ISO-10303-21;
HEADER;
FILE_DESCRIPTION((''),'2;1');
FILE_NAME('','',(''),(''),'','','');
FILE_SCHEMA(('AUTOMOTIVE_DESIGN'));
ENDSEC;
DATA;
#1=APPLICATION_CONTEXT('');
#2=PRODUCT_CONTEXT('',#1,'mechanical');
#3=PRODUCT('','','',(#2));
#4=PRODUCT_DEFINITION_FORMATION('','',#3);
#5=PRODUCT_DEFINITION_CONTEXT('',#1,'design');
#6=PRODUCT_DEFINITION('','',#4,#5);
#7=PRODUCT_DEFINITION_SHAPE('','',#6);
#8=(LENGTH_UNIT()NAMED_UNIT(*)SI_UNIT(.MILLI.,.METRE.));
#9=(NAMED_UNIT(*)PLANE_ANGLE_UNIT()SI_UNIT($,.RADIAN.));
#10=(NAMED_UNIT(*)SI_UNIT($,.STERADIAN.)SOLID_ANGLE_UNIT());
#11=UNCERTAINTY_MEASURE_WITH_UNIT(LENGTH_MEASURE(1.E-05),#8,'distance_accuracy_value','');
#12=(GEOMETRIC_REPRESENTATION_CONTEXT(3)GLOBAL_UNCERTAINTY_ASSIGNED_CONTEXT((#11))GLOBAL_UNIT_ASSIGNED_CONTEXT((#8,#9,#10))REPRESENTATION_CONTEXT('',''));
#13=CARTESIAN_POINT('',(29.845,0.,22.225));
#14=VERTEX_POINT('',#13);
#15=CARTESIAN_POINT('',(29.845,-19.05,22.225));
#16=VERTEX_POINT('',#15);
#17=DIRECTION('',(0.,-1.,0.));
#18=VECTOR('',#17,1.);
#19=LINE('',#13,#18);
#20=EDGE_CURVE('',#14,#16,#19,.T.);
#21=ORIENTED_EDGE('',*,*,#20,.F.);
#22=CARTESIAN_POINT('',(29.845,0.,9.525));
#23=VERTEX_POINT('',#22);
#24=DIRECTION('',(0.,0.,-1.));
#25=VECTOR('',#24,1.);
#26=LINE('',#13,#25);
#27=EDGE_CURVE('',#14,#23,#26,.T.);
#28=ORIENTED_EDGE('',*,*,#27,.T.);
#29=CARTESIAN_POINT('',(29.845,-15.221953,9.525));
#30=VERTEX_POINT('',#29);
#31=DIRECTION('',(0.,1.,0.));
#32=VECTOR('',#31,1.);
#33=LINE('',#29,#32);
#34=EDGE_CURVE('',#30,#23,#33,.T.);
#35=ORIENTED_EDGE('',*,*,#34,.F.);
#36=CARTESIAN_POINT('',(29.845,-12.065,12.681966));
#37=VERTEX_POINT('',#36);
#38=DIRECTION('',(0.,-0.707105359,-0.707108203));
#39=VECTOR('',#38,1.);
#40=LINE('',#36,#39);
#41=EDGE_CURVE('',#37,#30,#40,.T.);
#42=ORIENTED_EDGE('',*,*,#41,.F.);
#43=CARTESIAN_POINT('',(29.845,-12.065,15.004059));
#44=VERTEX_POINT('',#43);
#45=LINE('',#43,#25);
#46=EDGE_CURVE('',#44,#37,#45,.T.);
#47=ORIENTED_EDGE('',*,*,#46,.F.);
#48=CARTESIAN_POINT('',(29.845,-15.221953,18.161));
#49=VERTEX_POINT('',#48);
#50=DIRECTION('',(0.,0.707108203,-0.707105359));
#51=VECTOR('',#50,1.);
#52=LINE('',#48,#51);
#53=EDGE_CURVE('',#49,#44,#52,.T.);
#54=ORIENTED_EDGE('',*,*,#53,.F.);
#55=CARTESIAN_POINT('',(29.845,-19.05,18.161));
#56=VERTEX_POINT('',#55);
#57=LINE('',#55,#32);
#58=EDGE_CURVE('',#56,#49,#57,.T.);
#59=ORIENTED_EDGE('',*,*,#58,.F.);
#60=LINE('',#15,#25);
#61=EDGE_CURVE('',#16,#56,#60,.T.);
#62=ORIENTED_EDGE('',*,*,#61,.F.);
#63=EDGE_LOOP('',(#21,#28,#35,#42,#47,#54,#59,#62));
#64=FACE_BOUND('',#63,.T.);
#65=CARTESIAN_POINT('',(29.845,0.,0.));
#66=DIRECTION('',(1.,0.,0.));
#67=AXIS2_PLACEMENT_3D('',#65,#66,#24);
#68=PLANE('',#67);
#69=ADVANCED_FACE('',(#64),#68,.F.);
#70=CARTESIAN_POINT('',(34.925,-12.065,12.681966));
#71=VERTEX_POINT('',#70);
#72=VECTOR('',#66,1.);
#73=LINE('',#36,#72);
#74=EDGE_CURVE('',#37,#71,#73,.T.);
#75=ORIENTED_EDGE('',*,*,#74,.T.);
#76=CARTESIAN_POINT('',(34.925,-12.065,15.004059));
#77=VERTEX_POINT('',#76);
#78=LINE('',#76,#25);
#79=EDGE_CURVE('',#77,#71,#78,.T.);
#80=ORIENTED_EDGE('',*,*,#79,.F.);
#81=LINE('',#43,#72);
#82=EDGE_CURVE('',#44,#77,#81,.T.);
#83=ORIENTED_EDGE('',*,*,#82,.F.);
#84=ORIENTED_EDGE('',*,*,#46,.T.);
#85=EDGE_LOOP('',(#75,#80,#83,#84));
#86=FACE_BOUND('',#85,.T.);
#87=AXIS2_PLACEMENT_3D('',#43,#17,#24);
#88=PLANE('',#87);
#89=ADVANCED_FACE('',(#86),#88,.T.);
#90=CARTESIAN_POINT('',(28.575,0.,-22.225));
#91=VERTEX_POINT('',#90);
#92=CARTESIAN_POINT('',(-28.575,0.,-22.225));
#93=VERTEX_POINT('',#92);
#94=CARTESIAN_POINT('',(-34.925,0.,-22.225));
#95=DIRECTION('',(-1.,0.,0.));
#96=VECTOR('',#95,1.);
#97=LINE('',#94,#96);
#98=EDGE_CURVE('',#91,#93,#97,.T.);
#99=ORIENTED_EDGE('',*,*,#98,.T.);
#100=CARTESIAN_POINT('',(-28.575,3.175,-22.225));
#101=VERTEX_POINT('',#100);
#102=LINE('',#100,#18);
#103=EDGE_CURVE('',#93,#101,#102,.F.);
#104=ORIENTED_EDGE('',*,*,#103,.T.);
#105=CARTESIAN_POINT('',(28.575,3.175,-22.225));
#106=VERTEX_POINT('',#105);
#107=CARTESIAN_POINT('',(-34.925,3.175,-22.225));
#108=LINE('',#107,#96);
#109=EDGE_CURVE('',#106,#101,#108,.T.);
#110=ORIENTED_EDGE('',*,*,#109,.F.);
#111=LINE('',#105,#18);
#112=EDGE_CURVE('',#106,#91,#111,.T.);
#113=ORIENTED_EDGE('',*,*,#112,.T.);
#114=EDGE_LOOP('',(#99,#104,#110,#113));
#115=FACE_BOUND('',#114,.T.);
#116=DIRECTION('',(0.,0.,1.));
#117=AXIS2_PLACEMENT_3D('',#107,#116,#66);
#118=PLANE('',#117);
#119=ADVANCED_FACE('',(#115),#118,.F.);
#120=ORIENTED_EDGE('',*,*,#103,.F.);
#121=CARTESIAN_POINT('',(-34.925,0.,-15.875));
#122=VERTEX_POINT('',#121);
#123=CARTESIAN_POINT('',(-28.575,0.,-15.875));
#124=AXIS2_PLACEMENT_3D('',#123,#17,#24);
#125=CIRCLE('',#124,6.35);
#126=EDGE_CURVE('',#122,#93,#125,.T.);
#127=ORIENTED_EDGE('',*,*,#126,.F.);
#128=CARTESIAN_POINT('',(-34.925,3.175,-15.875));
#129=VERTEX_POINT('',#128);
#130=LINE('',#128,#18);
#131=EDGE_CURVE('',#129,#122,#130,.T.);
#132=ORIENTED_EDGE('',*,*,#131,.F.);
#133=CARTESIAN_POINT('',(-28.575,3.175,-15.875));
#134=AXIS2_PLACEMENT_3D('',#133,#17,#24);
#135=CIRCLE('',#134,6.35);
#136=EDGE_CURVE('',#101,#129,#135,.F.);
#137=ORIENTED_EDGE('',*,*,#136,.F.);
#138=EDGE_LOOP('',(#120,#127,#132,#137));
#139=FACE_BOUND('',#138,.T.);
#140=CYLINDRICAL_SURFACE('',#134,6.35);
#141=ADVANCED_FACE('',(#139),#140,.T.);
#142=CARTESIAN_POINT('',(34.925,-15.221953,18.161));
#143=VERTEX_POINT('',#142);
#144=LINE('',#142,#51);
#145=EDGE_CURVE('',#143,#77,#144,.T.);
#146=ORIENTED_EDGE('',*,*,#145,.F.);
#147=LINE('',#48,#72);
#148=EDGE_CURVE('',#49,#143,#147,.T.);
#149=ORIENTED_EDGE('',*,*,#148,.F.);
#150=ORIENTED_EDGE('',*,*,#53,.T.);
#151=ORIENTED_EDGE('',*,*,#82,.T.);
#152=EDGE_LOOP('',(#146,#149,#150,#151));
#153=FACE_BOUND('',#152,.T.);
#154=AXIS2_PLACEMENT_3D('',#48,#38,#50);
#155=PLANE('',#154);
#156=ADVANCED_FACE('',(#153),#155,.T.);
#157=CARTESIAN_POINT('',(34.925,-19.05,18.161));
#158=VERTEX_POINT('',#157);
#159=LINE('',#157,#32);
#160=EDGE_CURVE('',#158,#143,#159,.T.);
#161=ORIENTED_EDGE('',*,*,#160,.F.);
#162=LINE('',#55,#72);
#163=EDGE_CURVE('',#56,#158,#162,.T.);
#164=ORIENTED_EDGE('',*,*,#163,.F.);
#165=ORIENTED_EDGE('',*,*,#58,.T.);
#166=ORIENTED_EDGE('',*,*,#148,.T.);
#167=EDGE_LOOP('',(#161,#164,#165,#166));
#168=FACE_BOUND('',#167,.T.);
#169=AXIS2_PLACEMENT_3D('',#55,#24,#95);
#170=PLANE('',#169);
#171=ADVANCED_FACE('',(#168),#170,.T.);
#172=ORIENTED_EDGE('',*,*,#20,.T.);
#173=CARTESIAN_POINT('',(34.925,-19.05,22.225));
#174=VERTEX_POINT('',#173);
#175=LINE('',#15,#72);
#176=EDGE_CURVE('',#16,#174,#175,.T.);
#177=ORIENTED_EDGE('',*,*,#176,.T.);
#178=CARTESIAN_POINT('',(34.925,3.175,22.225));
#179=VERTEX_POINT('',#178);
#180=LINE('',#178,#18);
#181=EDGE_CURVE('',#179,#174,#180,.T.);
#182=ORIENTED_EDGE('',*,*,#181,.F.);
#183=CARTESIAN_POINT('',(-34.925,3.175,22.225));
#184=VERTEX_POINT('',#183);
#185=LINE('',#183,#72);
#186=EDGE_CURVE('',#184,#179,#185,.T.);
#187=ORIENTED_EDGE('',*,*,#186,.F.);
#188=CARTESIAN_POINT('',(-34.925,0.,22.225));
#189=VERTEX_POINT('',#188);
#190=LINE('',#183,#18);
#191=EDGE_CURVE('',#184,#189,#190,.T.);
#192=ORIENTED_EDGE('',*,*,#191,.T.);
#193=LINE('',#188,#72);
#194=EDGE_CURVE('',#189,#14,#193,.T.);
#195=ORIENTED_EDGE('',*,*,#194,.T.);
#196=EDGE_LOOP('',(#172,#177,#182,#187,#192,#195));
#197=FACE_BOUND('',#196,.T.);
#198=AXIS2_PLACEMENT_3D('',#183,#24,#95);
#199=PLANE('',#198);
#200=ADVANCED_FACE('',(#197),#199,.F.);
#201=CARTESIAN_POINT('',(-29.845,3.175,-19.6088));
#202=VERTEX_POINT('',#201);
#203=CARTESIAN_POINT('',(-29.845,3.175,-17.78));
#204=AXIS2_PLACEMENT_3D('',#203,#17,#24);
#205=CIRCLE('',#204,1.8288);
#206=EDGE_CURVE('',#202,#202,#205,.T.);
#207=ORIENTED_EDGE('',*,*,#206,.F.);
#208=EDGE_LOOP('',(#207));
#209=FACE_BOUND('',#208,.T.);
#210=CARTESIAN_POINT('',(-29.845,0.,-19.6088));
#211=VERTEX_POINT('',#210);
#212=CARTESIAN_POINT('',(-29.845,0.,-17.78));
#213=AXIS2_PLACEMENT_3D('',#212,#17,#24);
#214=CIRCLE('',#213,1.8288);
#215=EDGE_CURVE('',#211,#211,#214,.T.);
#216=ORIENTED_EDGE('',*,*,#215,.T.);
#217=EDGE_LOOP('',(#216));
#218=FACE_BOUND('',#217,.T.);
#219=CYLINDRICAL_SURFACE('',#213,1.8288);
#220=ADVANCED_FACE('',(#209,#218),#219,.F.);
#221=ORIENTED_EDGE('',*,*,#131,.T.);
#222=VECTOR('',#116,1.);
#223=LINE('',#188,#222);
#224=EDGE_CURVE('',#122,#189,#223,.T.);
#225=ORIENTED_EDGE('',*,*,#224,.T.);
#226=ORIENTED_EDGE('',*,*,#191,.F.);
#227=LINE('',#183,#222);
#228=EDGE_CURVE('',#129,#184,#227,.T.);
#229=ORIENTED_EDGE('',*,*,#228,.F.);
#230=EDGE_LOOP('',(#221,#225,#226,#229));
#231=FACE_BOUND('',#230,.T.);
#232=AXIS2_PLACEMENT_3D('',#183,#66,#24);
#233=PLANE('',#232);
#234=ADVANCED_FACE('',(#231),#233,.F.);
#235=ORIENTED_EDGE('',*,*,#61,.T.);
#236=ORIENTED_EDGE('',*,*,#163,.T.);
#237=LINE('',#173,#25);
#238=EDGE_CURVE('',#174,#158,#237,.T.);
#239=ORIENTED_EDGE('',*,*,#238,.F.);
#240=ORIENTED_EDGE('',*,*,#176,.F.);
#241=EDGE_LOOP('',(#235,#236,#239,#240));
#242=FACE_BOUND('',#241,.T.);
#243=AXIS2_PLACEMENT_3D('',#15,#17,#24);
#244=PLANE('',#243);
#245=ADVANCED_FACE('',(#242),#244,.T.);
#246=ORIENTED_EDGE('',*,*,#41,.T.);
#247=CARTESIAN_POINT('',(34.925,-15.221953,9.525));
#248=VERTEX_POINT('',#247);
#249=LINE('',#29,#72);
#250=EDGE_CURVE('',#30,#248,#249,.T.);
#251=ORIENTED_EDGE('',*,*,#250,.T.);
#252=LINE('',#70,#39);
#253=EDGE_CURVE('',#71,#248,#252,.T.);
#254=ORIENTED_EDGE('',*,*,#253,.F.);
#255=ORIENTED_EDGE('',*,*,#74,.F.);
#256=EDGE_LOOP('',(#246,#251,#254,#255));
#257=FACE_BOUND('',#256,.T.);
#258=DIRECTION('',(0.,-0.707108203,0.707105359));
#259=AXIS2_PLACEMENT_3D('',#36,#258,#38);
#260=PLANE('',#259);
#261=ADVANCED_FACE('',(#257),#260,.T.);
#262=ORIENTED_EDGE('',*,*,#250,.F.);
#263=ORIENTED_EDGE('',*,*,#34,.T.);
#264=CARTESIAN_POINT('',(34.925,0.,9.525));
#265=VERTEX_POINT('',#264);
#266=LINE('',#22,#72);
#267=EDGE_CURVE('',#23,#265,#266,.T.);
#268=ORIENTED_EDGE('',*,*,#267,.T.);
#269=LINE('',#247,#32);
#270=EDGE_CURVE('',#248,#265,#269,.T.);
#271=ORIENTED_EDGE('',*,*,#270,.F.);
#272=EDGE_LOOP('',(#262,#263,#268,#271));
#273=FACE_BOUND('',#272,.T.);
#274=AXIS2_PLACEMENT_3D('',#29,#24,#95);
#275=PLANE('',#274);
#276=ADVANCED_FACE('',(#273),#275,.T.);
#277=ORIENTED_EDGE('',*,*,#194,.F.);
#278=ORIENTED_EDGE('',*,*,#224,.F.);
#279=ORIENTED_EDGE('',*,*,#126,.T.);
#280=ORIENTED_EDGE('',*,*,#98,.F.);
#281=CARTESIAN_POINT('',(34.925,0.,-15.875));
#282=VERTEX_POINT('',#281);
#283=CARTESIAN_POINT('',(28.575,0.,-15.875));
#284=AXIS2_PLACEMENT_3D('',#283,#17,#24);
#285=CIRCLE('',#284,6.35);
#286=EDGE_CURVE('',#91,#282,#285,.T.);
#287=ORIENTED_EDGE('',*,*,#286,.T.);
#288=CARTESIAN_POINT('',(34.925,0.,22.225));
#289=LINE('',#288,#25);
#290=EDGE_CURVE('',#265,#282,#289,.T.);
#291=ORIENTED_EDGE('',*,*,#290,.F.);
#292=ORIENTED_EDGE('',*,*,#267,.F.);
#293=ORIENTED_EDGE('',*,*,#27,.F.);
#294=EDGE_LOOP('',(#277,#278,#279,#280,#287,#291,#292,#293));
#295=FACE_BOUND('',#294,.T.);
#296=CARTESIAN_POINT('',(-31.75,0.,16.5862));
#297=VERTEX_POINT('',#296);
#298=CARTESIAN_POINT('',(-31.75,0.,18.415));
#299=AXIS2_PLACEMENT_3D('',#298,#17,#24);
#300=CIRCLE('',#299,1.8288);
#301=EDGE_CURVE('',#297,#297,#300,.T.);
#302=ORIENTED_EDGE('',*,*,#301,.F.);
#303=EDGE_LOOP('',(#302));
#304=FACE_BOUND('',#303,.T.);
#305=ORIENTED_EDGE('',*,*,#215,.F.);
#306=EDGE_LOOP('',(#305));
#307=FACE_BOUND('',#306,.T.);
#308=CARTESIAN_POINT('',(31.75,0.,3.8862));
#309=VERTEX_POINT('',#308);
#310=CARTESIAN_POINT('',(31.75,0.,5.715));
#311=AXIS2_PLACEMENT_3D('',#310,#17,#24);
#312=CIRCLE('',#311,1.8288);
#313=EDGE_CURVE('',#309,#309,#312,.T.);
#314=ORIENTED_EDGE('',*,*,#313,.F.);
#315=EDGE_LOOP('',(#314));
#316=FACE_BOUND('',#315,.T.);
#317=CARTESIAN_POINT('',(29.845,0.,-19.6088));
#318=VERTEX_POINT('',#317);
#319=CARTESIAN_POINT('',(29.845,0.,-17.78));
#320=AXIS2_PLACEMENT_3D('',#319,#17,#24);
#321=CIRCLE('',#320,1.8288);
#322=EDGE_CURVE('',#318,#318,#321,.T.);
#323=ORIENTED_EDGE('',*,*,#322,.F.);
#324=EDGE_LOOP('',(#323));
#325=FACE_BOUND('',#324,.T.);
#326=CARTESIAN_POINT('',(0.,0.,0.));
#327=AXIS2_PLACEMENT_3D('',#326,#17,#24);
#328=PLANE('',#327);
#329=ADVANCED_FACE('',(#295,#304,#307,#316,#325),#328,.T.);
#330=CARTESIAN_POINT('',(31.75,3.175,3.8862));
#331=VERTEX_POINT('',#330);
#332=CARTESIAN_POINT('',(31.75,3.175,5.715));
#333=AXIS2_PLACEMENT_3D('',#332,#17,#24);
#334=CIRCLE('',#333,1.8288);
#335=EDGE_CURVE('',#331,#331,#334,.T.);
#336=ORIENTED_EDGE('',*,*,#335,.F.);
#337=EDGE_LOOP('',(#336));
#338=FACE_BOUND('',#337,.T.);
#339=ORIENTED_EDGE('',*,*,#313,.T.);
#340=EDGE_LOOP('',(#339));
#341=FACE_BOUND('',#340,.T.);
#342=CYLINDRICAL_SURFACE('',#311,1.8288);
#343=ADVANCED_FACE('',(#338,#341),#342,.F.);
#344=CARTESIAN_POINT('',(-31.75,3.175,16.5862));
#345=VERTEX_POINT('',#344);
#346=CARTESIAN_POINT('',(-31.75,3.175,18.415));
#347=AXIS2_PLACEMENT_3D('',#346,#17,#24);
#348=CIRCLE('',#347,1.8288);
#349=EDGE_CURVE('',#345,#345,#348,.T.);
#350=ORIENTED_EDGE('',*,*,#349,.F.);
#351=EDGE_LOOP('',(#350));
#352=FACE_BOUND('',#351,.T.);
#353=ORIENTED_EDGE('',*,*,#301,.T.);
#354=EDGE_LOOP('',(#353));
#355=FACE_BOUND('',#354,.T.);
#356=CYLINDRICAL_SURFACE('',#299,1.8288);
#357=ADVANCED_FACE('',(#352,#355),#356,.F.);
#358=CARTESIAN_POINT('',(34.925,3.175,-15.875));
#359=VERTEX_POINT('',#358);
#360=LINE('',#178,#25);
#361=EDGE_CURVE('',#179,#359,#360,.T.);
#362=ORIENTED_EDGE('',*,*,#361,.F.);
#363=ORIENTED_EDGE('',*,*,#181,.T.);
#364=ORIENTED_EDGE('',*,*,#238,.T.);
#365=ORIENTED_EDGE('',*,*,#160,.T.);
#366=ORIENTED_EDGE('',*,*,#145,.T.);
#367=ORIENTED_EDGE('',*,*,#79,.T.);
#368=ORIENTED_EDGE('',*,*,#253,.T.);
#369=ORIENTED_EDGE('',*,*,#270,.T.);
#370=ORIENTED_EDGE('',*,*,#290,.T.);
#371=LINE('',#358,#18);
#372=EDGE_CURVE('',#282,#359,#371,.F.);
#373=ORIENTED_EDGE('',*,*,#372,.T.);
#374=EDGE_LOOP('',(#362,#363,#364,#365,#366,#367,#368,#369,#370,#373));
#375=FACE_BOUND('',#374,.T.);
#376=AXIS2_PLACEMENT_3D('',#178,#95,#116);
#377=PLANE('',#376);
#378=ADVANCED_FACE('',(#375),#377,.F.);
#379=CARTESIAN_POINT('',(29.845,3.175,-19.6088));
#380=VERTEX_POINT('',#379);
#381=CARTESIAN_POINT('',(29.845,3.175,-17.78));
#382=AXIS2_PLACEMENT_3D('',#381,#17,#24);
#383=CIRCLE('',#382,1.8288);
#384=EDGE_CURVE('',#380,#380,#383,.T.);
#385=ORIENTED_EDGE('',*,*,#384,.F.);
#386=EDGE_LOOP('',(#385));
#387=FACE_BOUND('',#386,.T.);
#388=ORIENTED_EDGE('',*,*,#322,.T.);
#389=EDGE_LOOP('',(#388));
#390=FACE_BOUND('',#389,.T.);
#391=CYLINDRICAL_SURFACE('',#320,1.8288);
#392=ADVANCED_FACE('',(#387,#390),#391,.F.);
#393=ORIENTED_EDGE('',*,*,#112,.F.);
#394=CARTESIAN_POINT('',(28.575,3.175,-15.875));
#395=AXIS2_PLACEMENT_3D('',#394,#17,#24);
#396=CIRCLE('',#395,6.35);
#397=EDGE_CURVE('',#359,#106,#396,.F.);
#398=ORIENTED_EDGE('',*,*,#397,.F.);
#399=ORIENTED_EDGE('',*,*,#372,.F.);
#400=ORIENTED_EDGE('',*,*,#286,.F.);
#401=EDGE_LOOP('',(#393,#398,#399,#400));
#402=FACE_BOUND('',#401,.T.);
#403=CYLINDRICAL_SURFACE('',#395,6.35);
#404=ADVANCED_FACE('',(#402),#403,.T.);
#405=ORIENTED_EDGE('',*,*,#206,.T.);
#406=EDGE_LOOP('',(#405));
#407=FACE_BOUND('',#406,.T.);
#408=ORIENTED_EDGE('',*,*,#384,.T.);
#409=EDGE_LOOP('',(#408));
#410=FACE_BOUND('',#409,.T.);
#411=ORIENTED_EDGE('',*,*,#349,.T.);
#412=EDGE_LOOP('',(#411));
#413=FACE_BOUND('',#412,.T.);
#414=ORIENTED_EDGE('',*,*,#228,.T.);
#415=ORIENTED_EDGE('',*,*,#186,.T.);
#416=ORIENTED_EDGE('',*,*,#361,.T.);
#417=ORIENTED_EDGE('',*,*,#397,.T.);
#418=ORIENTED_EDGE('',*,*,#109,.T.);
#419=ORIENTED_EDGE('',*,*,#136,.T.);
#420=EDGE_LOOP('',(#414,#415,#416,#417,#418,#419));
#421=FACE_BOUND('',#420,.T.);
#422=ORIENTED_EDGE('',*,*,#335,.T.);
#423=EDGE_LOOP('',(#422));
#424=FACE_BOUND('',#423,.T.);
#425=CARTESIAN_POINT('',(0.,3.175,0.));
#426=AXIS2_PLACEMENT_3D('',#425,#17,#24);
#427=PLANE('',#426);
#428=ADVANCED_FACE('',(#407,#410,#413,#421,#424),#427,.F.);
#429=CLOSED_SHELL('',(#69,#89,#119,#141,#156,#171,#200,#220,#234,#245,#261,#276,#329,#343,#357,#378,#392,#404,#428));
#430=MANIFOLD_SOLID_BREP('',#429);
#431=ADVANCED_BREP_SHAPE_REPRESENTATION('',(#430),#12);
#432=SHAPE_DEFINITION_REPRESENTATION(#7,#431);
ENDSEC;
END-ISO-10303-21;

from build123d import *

# Parameters (mm, degrees)
SKETCH1_W                      = 69.85
SKETCH1_H                      = 44.45
BOSS_EXTRUDE1_DEPTH            = 3.175
BOSS_EXTRUDE2_DEPTH            = 5.08
FILLET1_R                      = 6.35
F_6_0_204_DIAMETER_HOLE1_D     = 3.6576
F_6_0_204_DIAMETER_HOLE1_DEPTH = 38.1
F_6_0_204_DIAMETER_HOLE1_TIP   = 1.0988539


with BuildPart() as part:
    # Sketch1 → Boss-Extrude1 (new body)
    with BuildSketch(Plane(origin=(0, 0, 0), x_dir=(1, 0, 0), z_dir=(0, 1, 0))):
        Rectangle(SKETCH1_W, SKETCH1_H)
    extrude(amount=BOSS_EXTRUDE1_DEPTH)

    # Sketch2 → Boss-Extrude2 (add)
    with BuildSketch(Plane(origin=(34.925, 0, 0), x_dir=(0, 0, -1), z_dir=(1, 0, 0))):
        Polygon((-22.225, 0), (-22.225, -19.05), (-18.161, -19.05), (-18.161, -15.2219533), (-15.0040594, -12.065), (-12.681966, -12.065), (-9.525, -15.2219533), (-9.525, 0), align=None)
    extrude(amount=-BOSS_EXTRUDE2_DEPTH)

    # Fillet1
    fillet1_edges = [part.edges().sort_by_distance(p)[0] for p in [
        (-34.925, 1.5875, -22.225),
        (34.925, 1.5875, -22.225),
    ]]
    fillet(fillet1_edges, radius=FILLET1_R)

    # #6 (0.204) Diameter Hole1
    with Locations(Plane(origin=(0, 0, 0), x_dir=(-1, 0, 0), z_dir=(0, -1, 0))):
        with Locations((-29.845, 17.78), (29.845, 17.78), (31.75, -18.415), (-31.75, -5.715)):
            Hole(F_6_0_204_DIAMETER_HOLE1_D / 2, depth=F_6_0_204_DIAMETER_HOLE1_DEPTH)
            with Locations((0, 0, -(F_6_0_204_DIAMETER_HOLE1_DEPTH + F_6_0_204_DIAMETER_HOLE1_TIP / 2))):  # 118° drill point
                Cone(0, F_6_0_204_DIAMETER_HOLE1_D / 2, F_6_0_204_DIAMETER_HOLE1_TIP, mode=Mode.SUBTRACT)


solid = part.part
